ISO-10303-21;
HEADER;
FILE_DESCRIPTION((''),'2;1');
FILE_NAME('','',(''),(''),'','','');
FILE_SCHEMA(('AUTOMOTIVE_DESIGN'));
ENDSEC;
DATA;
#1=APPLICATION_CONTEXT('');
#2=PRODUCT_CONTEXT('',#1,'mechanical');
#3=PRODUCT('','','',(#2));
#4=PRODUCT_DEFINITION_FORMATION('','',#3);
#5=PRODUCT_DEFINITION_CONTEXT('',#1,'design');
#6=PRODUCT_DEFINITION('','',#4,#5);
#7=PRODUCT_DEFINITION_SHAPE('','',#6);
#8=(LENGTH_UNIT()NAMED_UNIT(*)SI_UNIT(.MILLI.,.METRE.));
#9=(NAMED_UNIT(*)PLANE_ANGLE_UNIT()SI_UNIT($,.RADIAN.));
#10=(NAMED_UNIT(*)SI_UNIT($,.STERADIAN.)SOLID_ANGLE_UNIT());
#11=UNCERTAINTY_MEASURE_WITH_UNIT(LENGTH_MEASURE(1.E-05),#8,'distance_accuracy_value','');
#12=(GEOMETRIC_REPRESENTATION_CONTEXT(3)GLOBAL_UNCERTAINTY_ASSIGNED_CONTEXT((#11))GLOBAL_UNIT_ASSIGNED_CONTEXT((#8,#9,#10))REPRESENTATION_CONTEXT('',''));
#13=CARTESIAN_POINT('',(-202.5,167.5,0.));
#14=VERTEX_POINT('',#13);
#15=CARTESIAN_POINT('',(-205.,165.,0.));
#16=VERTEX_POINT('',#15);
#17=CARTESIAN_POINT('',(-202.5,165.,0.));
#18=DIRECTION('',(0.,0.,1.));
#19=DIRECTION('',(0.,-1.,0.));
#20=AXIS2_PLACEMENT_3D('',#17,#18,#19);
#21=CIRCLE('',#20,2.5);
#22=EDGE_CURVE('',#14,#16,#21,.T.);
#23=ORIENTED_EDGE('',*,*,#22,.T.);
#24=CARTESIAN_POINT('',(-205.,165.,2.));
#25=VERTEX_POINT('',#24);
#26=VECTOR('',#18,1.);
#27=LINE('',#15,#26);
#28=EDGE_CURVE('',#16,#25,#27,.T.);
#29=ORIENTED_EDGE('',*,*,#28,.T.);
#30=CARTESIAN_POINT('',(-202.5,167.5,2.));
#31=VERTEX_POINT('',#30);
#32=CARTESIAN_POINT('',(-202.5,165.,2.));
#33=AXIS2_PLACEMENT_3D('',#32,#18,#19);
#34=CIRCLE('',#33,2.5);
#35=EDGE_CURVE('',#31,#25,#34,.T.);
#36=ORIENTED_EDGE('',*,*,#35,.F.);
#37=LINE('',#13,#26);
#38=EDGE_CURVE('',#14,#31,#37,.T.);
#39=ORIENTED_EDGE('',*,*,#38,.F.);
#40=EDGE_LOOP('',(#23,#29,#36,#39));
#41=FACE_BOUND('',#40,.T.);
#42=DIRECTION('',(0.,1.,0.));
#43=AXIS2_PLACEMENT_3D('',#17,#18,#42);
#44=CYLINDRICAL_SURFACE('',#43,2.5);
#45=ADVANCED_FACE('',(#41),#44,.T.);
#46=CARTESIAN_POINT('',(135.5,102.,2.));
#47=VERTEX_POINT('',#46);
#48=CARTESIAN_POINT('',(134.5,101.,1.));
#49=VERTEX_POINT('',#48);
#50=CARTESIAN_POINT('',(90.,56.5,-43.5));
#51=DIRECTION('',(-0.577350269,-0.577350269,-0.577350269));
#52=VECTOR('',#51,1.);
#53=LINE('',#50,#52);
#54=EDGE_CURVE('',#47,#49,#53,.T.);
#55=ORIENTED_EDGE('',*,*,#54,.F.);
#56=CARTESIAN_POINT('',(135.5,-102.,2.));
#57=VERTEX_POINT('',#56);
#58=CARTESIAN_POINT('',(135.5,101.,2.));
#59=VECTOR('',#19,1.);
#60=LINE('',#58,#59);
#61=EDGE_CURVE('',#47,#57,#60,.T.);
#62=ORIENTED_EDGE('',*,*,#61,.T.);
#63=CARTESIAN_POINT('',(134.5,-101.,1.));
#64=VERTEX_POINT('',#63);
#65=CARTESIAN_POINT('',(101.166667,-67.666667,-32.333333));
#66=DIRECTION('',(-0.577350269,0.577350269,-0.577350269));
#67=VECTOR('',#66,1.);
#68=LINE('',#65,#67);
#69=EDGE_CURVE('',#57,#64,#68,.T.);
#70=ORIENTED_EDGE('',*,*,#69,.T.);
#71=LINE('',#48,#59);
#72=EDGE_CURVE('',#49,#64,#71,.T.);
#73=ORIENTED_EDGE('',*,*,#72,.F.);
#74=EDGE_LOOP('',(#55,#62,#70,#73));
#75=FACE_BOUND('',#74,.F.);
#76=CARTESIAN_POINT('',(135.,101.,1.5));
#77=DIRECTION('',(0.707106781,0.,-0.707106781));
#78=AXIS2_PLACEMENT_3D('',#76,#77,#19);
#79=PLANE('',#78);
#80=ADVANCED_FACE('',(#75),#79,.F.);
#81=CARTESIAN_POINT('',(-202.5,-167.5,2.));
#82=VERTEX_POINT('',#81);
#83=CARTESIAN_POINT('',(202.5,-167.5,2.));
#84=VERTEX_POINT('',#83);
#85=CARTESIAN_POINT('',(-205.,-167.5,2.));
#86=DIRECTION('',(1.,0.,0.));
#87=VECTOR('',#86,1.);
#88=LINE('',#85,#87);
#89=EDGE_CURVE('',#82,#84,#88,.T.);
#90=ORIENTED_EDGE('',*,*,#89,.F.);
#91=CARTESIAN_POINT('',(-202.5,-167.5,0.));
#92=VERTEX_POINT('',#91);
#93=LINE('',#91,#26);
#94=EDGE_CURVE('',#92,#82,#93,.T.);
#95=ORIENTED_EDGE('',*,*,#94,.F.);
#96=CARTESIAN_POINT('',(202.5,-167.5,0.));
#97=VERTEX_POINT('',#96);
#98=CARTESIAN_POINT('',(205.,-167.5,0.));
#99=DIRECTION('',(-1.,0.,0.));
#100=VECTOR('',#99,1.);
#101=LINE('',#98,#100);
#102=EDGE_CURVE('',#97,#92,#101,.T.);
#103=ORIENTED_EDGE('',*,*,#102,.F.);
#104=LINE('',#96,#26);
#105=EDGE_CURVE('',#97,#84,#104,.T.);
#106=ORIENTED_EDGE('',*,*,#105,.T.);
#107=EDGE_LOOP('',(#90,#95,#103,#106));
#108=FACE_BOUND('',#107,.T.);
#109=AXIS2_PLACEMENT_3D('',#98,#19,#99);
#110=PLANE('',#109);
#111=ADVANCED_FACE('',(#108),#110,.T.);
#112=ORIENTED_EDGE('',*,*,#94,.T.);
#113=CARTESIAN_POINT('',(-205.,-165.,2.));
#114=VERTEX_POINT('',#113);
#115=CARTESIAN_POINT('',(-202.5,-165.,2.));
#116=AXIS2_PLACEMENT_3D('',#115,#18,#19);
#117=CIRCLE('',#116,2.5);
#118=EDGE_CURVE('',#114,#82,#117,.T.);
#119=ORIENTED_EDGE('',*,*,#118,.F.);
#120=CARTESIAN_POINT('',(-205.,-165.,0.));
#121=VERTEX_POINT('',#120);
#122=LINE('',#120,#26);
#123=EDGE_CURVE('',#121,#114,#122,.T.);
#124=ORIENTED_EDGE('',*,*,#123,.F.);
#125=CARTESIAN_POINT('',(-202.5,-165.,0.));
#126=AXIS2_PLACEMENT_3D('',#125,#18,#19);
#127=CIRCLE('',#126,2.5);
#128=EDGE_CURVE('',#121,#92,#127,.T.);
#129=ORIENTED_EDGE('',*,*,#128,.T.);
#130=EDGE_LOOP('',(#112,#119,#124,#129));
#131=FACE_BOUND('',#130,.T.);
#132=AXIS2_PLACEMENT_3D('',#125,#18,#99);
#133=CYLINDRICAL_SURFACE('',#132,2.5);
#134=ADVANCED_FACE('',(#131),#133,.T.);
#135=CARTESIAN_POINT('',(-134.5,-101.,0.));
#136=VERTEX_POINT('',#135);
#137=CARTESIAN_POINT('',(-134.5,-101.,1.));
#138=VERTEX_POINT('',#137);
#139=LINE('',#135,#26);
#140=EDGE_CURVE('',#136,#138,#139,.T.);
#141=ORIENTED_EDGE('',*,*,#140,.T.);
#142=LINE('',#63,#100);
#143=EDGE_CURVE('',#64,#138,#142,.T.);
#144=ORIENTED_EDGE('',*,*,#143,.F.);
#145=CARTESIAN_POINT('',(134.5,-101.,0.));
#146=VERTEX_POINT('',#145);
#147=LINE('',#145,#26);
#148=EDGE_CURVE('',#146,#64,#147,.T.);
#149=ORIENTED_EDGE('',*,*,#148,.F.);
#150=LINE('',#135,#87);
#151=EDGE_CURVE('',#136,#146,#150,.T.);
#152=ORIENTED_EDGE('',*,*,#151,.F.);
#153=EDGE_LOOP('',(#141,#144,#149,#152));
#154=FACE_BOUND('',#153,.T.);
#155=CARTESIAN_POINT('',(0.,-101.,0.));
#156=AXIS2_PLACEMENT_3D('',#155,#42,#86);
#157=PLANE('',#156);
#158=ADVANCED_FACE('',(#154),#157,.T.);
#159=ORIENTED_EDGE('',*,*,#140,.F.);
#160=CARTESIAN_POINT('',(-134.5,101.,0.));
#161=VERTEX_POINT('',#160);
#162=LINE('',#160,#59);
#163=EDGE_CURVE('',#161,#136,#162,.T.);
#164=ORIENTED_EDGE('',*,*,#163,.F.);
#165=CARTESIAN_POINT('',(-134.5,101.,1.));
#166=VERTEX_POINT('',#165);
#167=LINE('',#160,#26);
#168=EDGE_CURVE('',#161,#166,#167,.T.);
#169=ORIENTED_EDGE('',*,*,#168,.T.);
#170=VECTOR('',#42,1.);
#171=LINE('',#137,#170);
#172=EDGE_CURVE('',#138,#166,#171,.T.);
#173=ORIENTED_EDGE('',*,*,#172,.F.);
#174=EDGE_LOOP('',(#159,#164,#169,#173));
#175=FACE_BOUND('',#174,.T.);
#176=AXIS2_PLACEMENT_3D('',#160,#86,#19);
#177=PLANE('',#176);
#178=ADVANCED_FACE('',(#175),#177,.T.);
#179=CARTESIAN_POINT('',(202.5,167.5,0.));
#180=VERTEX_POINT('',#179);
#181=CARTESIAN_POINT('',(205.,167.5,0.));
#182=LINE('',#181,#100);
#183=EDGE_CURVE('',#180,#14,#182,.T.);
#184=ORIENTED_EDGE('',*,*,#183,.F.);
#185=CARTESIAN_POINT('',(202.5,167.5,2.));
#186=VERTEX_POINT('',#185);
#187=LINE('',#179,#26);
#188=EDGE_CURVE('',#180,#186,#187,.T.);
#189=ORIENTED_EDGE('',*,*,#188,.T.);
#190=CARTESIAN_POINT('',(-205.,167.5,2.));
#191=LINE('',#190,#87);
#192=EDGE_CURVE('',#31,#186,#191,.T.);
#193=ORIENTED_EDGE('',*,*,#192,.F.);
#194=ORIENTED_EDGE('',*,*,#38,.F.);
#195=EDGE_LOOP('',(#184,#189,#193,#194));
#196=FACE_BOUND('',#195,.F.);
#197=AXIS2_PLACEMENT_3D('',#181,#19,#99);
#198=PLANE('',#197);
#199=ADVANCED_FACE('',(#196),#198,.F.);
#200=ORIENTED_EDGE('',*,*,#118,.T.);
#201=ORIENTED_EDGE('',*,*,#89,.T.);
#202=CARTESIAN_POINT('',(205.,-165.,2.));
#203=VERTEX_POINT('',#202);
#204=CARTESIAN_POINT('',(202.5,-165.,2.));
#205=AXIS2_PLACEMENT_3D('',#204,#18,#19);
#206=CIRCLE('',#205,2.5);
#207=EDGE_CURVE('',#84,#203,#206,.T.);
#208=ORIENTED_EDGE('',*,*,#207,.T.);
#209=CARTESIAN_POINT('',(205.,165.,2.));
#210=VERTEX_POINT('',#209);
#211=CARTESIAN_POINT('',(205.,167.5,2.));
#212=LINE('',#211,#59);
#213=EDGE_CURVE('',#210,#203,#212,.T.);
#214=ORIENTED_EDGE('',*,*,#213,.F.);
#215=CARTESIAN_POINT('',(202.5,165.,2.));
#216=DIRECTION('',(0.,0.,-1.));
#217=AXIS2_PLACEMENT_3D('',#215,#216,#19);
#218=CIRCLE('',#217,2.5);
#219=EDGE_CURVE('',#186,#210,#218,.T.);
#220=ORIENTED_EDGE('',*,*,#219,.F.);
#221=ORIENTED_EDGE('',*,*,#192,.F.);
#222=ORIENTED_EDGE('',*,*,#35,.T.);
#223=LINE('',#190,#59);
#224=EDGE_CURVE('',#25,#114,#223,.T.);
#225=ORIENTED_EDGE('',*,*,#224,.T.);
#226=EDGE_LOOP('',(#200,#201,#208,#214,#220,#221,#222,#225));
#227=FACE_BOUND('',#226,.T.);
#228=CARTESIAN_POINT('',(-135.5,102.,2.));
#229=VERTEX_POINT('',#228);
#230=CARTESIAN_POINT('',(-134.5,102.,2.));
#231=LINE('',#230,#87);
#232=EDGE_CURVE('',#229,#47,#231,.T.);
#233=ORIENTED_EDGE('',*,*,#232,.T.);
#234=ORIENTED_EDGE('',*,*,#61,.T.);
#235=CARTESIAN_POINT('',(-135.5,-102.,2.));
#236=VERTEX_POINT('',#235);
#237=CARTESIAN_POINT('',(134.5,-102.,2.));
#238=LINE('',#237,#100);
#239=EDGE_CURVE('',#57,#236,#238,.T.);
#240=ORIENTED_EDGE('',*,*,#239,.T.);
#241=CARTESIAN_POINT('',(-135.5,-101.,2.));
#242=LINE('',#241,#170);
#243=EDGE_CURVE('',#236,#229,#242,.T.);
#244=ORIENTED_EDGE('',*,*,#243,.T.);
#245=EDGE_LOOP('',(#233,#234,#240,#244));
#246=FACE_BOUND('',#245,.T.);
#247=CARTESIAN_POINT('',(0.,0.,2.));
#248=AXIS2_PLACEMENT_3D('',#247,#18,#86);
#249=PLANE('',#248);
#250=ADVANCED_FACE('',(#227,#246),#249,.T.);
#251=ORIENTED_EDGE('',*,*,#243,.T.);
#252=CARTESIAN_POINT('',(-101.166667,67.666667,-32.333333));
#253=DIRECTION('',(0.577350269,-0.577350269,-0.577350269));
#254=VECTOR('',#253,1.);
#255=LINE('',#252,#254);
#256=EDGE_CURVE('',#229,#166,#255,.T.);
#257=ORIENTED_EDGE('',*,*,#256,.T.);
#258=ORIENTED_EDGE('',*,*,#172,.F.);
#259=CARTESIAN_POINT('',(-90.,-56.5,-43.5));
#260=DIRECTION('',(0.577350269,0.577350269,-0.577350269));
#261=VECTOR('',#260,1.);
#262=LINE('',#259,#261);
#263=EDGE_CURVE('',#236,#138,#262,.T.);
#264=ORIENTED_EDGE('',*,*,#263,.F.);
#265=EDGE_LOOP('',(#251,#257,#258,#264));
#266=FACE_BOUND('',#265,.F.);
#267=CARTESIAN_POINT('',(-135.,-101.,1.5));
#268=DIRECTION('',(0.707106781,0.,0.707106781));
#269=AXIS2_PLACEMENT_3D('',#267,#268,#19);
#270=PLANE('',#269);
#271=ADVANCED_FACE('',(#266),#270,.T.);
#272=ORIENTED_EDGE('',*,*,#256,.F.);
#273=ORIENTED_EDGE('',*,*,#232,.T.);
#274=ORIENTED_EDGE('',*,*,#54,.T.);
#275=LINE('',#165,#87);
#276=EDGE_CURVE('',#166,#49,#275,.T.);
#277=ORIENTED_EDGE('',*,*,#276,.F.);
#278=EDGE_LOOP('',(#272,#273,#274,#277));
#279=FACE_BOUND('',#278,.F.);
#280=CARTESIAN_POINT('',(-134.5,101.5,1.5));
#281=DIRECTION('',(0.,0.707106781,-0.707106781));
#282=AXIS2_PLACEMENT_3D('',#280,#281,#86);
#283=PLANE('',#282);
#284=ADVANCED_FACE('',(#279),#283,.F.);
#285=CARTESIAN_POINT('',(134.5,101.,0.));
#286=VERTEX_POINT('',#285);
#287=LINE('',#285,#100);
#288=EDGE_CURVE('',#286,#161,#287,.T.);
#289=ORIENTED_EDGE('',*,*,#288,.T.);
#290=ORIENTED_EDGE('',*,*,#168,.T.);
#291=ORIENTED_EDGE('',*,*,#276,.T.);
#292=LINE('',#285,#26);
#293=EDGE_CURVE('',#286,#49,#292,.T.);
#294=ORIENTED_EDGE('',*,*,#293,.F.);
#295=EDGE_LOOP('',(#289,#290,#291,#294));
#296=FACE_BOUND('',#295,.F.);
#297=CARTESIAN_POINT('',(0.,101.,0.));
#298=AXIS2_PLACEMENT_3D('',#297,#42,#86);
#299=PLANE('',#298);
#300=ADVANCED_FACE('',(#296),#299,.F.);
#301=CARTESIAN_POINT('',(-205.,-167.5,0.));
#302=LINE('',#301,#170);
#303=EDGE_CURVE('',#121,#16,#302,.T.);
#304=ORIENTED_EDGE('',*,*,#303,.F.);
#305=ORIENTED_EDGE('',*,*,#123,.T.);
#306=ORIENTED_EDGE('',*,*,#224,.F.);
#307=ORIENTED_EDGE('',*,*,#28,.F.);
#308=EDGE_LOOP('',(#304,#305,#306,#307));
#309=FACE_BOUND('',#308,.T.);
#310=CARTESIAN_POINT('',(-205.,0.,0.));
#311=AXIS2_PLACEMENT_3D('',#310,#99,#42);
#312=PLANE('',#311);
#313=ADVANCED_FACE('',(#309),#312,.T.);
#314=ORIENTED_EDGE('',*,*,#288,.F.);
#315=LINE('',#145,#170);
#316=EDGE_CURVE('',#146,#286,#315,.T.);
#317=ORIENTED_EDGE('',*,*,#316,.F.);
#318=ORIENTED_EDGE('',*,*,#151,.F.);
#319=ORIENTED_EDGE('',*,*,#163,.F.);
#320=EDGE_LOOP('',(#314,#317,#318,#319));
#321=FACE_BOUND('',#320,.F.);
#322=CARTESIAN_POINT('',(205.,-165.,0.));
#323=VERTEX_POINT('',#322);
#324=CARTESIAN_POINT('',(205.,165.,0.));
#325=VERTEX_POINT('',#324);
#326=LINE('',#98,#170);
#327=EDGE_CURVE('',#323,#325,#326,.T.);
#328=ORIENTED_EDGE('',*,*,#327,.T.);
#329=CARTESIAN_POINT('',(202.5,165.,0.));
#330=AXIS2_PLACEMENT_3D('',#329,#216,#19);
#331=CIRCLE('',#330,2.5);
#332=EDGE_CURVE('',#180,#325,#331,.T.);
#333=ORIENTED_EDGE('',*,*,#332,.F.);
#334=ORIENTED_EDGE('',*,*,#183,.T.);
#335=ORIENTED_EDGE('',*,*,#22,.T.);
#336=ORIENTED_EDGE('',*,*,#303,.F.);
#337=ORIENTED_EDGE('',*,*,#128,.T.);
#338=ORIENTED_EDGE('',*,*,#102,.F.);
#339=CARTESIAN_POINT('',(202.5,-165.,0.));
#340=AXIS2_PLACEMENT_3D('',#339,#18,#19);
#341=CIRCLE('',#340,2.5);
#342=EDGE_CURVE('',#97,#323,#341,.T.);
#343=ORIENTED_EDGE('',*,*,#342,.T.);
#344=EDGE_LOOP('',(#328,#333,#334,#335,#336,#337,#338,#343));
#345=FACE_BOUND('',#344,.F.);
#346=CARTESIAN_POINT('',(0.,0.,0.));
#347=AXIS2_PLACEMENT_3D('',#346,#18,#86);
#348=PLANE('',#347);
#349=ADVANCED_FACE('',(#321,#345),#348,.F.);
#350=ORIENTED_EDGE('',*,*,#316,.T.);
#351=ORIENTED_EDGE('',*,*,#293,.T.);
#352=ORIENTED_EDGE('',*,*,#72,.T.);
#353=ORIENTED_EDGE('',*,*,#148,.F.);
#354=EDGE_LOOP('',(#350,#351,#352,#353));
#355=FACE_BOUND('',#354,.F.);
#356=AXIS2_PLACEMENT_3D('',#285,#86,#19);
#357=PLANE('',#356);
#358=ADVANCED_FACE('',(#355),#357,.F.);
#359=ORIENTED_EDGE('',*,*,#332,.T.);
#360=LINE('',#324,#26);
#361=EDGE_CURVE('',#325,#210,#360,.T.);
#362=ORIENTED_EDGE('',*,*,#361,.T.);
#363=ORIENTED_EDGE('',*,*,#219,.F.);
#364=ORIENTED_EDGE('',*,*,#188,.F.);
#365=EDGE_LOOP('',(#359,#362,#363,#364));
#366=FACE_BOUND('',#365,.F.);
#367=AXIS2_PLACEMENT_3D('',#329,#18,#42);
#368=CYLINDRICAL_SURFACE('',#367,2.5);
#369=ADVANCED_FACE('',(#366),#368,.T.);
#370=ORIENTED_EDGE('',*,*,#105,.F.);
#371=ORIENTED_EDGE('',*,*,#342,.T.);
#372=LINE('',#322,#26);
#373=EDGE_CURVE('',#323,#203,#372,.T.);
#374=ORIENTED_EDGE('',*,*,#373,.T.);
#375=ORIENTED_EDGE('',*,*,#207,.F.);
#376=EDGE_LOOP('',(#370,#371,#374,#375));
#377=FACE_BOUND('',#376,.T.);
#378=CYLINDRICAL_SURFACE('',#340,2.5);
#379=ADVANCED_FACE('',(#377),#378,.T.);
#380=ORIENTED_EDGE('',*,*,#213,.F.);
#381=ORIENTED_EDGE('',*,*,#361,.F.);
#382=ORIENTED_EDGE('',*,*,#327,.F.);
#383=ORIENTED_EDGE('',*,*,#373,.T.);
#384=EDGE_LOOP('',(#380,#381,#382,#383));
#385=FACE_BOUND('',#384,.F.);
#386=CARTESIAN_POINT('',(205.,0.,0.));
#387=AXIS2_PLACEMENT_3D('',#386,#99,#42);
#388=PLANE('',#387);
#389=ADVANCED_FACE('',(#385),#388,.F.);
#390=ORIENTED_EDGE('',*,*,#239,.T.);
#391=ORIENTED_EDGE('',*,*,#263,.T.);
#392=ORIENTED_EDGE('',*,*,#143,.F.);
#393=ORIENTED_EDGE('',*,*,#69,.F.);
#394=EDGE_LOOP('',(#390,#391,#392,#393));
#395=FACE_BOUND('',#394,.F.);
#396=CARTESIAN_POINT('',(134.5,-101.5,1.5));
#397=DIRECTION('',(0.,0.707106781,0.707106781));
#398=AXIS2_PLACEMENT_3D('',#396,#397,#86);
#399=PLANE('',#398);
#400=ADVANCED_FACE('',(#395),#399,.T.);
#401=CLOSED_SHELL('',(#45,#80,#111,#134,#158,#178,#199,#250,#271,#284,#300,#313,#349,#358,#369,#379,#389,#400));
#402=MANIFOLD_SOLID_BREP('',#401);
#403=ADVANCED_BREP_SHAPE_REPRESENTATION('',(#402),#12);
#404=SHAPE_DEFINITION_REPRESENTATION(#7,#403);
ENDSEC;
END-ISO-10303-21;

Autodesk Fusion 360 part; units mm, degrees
sketch "Sketch1" plane through (0, 0, 0) normal (0, 0, 1) x (1, 0, 0)
  line L0 (0, 101) -> (134.5, 101)
  line L1 (134.5, 101) -> (134.5, 0)
  line L2 (134.5, 0) -> (205, 0)
  line L3 (205, 0) -> (205, 167.5)
  line L4 (205, 167.5) -> (0, 167.5)
  line L5 (0, 167.5) -> (0, 101)
  line L6 (-134.5, 101) -> (-134.5, 0)
  line L7 (-205, 0) -> (-205, 167.5)
  line L8 (-205, 167.5) -> (0, 167.5)
  line L9 (0, 101) -> (-134.5, 101)
  line L10 (0, 167.5) -> (0, 101)
  line L11 (-134.5, 0) -> (-205, 0)
  line L12 (134.5, -101) -> (134.5, 0)
  line L13 (205, -167.5) -> (0, -167.5)
  line L14 (0, -167.5) -> (0, -101)
  line L15 (0, -101) -> (-134.5, -101)
  line L16 (-134.5, 0) -> (-205, 0)
  line L17 (205, 0) -> (205, -167.5)
  line L18 (-205, 0) -> (-205, -167.5)
  line L19 (-205, -167.5) -> (0, -167.5)
  line L20 (-134.5, -101) -> (-134.5, 0)
  line L21 (0, -167.5) -> (0, -101)
  line L22 (0, -101) -> (134.5, -101)
  line L23 (134.5, 0) -> (205, 0)
  dimension "d26" = 101
  dimension "d27" = 134.5
  dimension "d28" = 101
  dimension "d29" = 70.5
  dimension "d30" = 167.5
  dimension "d31" = 205
  dimension "d32" = 66.5
extrude "Extrude4" add sketch "Sketch1" along normal blind 2 contours L0 L1 L2 L3 L4 L5 L10 L23 | L5 L6 L7 L8 L9 L10 L11 L16 | L2 L12 L13 L14 L17 L21 L22 L23 | L11 L14 L15 L16 L18 L19 L20 L21
chamfer "Chamfer2" distance 1 angle 45 4 edges at (0, 101, 2) (-134.5, 0, 2) (0, -101, 2) (134.5, 0, 2)
fillet "Fillet1" radius 2.5 4 edges at (205, -167.5, 1) (205, 167.5, 1) (-205, -167.5, 1) (-205, 167.5, 1)
